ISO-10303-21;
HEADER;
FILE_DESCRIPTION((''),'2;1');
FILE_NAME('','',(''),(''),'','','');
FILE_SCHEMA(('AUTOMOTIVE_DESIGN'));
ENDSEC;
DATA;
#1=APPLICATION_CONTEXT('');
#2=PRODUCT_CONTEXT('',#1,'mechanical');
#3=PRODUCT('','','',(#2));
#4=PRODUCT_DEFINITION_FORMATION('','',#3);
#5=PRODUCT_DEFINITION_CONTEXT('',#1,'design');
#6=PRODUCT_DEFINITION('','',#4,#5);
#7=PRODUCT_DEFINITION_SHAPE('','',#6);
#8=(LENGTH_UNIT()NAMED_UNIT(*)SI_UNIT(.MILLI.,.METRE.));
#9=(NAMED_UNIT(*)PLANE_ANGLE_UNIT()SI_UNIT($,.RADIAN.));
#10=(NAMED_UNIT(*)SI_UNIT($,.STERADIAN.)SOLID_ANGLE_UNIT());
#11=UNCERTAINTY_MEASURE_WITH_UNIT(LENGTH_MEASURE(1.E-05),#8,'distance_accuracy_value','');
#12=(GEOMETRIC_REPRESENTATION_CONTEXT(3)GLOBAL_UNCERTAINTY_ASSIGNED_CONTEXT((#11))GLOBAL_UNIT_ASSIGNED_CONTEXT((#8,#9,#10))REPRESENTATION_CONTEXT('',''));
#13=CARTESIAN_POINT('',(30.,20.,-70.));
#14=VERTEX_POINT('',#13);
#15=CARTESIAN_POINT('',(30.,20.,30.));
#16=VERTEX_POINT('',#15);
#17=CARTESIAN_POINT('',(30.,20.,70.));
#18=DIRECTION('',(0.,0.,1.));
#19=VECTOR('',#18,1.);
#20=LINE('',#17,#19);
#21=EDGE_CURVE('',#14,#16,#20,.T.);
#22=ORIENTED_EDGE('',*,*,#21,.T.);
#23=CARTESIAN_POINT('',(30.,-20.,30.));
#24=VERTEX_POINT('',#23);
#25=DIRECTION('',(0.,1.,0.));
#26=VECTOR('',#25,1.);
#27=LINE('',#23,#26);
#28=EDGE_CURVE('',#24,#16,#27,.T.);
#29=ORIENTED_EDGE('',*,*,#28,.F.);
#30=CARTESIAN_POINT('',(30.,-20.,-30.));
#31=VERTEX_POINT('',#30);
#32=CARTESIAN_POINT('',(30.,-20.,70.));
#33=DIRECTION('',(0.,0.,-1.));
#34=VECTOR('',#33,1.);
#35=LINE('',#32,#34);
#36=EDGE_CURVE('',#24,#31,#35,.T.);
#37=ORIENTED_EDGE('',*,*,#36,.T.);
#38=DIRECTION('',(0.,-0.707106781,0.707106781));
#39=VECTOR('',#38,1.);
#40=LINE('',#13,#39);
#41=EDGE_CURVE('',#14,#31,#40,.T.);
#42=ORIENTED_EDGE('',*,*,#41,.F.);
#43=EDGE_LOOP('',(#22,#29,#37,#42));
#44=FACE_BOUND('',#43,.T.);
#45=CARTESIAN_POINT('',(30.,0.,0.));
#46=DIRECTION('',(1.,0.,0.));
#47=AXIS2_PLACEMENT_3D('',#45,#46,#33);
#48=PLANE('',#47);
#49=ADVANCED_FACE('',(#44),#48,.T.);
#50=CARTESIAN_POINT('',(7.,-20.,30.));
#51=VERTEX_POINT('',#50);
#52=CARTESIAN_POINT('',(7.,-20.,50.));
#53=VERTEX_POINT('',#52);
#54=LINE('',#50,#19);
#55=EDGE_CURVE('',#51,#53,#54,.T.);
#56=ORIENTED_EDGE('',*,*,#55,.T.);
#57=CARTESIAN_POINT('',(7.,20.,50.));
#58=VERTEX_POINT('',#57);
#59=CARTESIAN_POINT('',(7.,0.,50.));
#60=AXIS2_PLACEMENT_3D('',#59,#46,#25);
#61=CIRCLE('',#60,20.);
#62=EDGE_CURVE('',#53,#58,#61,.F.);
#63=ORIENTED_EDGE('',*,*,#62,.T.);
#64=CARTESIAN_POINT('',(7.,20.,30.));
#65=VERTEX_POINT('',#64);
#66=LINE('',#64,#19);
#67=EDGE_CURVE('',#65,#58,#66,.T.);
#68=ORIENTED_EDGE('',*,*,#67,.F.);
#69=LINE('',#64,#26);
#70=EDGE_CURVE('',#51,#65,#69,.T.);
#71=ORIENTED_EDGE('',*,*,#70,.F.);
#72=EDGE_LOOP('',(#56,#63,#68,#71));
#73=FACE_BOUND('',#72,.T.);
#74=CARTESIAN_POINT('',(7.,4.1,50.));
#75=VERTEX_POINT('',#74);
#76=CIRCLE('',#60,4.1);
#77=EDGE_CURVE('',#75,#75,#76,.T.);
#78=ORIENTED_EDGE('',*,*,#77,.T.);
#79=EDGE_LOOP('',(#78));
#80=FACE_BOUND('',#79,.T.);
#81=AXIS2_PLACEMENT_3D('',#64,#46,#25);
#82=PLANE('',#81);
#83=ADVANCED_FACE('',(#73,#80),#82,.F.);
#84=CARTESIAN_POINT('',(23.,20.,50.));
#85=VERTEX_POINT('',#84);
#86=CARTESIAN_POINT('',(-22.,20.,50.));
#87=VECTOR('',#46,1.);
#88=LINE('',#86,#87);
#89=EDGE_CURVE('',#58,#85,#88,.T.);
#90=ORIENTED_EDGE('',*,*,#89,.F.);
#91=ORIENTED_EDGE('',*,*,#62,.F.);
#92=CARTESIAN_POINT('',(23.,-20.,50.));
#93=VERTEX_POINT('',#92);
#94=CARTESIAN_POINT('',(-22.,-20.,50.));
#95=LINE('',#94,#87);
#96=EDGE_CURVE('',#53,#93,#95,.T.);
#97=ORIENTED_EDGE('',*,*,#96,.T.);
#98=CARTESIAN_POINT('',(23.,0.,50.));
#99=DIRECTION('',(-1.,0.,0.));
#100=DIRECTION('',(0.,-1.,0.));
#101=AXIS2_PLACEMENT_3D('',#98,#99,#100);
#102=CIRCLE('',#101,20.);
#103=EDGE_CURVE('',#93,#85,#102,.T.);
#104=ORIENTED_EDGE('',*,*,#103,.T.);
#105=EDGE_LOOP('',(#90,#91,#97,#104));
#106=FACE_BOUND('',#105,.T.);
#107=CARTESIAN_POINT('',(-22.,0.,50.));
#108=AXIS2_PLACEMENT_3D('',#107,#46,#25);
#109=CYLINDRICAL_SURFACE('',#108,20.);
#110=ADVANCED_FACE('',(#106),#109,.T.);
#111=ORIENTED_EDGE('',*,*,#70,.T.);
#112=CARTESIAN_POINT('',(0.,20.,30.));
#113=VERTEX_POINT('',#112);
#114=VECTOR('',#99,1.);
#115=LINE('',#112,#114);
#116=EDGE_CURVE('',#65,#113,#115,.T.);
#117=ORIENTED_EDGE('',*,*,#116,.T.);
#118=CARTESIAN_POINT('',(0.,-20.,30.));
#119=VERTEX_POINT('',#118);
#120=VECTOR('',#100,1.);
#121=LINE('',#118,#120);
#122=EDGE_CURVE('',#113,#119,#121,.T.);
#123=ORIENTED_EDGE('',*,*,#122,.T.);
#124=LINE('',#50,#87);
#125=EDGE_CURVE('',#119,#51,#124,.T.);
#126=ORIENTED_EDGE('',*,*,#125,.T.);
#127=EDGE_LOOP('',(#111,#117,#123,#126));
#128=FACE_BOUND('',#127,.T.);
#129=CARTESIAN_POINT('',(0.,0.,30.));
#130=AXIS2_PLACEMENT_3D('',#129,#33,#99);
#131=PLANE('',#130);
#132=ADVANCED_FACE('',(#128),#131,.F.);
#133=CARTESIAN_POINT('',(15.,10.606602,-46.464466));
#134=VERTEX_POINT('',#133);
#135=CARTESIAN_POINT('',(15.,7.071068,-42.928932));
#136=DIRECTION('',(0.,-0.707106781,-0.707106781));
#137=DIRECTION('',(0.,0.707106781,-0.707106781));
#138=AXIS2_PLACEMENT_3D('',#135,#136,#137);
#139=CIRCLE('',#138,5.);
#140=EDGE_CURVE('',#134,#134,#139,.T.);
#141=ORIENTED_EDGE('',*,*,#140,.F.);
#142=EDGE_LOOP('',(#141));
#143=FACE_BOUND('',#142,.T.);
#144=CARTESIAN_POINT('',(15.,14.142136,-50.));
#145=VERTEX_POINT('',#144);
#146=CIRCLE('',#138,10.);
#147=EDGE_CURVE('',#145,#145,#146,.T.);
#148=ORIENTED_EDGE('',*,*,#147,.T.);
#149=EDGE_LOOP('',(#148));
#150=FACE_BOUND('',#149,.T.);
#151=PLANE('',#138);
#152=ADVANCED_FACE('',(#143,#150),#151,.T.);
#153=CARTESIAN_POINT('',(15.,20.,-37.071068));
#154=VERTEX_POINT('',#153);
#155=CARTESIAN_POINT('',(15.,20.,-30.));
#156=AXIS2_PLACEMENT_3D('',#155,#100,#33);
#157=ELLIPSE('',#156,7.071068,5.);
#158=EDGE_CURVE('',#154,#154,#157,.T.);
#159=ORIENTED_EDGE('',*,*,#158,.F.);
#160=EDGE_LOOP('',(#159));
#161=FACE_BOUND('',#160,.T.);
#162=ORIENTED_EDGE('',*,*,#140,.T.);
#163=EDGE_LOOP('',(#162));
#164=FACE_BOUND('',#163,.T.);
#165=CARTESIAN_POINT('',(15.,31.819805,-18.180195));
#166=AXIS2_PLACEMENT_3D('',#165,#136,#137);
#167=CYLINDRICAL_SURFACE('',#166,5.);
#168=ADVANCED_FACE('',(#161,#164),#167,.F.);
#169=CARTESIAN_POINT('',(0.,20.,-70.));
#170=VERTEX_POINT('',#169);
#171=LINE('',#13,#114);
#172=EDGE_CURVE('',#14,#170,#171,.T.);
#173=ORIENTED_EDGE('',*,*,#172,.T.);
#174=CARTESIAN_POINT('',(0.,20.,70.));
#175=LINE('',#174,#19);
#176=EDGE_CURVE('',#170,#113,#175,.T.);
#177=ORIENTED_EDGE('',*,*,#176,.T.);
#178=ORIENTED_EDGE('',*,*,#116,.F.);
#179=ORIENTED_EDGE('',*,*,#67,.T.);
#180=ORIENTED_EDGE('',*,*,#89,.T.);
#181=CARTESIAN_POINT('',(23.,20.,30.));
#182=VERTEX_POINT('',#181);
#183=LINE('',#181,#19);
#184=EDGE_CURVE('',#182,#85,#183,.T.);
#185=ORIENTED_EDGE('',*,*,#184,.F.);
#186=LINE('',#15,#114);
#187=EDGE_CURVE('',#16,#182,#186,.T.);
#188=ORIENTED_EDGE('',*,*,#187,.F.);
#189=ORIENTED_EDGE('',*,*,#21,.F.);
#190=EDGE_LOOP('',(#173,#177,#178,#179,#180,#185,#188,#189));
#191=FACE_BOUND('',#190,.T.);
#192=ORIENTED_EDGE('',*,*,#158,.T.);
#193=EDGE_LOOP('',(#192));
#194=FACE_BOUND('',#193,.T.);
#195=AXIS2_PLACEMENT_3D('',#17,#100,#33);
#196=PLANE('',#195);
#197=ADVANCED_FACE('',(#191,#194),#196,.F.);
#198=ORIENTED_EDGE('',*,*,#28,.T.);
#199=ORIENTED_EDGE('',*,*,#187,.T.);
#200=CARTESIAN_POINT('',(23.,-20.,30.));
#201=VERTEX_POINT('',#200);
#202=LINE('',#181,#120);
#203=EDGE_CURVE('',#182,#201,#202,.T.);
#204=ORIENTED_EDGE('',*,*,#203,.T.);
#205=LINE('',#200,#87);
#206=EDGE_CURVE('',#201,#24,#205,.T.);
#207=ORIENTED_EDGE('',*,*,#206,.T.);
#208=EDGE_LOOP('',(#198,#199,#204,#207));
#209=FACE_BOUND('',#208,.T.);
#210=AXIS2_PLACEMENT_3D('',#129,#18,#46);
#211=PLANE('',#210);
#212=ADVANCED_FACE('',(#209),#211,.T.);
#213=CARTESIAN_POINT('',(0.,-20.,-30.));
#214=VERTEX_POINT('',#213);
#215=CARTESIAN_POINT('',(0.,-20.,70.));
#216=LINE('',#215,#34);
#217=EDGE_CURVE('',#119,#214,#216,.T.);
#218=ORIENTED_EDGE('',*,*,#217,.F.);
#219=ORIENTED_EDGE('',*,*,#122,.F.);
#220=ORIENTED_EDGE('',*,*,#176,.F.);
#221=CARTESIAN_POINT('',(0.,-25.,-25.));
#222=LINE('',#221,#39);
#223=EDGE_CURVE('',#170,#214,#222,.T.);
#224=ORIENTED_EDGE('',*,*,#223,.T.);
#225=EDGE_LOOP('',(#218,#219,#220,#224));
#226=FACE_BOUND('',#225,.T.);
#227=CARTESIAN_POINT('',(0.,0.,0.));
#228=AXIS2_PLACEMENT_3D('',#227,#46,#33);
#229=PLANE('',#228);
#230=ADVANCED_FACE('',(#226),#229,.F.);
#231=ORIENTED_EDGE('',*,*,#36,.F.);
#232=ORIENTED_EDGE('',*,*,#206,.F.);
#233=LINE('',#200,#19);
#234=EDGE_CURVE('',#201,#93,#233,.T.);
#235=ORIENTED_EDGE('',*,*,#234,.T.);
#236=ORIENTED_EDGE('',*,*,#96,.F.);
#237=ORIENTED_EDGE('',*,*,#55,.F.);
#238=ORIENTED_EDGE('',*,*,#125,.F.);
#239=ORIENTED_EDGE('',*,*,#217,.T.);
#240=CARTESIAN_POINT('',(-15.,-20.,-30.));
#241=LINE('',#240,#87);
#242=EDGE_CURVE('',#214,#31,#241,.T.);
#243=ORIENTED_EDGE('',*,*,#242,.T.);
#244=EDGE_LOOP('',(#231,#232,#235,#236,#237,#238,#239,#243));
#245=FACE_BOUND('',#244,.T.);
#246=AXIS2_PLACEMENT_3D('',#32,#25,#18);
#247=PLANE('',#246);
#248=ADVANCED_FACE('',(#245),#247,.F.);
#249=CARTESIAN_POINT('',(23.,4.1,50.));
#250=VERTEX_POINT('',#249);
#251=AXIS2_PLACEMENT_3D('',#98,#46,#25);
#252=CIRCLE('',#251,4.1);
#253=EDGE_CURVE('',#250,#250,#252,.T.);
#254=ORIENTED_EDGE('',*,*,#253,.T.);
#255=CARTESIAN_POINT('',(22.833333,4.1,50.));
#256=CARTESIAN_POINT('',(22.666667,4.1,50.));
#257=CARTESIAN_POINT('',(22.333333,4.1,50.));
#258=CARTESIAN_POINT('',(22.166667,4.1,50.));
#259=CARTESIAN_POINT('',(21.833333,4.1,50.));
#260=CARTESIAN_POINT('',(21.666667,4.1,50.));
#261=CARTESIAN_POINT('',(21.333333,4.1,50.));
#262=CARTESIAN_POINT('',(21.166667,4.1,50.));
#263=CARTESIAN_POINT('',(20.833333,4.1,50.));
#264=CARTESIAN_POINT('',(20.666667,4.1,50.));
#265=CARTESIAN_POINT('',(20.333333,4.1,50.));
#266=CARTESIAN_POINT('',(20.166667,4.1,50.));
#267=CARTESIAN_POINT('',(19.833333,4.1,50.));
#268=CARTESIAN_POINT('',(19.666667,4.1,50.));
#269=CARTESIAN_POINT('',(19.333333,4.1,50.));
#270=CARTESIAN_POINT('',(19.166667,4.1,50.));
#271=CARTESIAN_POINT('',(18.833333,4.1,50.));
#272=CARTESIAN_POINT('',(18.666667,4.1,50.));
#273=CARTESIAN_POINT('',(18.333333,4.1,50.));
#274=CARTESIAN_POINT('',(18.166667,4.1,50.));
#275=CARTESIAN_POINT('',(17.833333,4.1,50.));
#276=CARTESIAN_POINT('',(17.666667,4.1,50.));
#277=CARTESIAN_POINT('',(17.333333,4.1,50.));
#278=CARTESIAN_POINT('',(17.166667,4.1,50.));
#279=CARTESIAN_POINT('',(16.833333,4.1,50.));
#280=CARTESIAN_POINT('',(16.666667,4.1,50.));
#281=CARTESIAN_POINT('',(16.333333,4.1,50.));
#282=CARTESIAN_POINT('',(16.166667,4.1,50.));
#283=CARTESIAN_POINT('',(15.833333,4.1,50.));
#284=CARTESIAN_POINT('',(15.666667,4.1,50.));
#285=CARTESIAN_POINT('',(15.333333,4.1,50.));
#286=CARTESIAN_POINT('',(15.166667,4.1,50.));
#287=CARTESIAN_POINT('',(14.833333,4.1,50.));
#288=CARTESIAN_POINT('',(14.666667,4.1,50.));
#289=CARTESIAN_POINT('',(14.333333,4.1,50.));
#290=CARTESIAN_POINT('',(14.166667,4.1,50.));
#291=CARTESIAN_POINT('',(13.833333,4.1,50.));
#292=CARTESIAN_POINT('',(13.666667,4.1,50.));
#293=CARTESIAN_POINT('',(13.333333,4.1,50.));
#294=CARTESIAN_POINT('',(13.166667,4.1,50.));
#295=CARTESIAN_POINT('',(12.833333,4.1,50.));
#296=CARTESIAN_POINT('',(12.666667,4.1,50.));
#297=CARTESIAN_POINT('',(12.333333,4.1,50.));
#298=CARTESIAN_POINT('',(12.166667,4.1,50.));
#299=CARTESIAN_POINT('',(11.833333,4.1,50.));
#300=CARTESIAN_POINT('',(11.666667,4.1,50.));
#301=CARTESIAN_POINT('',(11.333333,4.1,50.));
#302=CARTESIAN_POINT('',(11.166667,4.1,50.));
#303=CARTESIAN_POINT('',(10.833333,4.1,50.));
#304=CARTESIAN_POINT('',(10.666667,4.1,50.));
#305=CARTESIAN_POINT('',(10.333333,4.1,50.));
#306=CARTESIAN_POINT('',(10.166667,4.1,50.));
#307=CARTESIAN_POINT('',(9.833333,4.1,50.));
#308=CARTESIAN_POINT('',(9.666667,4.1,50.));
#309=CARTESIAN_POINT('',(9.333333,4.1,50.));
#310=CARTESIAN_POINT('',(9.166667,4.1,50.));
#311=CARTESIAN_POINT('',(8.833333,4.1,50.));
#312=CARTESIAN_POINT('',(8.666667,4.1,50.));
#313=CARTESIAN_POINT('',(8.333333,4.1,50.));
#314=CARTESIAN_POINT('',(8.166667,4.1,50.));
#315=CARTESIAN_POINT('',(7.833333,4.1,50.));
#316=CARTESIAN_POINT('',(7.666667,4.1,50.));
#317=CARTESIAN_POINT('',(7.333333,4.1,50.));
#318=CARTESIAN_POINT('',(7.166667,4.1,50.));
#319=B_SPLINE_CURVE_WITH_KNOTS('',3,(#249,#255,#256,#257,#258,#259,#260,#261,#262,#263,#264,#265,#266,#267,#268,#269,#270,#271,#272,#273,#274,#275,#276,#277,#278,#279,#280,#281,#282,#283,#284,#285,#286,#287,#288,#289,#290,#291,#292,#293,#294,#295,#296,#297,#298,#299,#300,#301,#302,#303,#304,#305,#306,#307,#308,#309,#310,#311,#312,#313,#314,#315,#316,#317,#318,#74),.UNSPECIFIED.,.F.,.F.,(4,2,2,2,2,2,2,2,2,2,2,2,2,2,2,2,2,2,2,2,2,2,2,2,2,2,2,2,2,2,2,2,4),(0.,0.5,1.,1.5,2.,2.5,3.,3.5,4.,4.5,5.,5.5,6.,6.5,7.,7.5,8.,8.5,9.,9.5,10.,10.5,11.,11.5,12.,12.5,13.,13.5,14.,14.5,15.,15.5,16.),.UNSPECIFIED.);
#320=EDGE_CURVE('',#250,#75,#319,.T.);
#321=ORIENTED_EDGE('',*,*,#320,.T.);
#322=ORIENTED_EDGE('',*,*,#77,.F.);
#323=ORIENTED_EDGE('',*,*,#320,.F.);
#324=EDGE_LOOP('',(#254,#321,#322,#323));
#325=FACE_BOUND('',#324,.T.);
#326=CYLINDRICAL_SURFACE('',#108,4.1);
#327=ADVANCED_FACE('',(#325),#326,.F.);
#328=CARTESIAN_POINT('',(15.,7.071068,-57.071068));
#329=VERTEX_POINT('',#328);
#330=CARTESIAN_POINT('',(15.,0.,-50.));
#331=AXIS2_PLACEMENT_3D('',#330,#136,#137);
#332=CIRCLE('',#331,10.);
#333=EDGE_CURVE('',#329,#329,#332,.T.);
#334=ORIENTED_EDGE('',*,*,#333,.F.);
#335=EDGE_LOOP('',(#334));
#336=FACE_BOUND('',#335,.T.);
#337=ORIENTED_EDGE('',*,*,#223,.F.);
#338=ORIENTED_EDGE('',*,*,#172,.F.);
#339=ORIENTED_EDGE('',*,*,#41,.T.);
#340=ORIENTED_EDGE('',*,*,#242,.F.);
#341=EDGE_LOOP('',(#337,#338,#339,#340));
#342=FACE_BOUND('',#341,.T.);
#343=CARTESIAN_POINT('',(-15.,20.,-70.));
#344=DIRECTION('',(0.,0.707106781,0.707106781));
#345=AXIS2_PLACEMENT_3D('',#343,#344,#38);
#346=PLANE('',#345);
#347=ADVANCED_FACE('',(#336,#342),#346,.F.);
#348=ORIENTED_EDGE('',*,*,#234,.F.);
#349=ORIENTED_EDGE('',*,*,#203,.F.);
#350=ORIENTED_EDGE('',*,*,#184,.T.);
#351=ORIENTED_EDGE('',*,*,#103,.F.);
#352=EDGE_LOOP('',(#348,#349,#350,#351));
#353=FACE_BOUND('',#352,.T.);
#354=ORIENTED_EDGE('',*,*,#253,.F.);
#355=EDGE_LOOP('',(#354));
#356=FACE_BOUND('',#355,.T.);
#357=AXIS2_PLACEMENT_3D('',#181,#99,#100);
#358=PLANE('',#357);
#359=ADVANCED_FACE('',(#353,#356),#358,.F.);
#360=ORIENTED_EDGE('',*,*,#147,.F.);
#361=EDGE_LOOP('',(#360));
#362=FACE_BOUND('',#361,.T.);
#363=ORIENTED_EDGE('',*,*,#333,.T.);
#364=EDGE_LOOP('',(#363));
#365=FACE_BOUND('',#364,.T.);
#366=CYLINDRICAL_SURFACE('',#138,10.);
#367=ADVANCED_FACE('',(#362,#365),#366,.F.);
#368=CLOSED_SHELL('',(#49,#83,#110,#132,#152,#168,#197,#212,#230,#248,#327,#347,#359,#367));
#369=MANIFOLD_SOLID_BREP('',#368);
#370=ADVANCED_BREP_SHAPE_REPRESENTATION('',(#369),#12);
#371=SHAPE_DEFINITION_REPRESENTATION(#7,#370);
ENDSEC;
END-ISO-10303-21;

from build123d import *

# Parameters (mm, degrees)
SKETCH6_W           = 140
SKETCH6_H           = 40
BOSS_EXTRUDE2_DEPTH = 30
SKETCH9_W           = 7
SKETCH9_H           = 40
CUT_EXTRUDE3_DEPTH  = 40
CUT_EXTRUDE6_DEPTH  = 45
CUT_EXTRUDE7_DEPTH  = 45
SKETCH22_R          = 4.1
CUT_EXTRUDE8_DEPTH  = 45
CUT_EXTRUDE9_DEPTH  = 45
SKETCH26_R          = 10
CUT_EXTRUDE10_DEPTH = 10
SKETCH28_R          = 5
CUT_EXTRUDE11_DEPTH = 35


with BuildPart() as part:
    # Sketch6 → Boss-Extrude2 (new body)
    with BuildSketch(Plane(origin=(0, 0, 0), x_dir=(0, 0, -1), z_dir=(1, 0, 0))):
        Rectangle(SKETCH6_W, SKETCH6_H)
    extrude(amount=BOSS_EXTRUDE2_DEPTH)

    # Sketch9 → Cut-Extrude3 (cut)
    with BuildSketch(Plane.XY.offset(70)):
        with Locations((3.5, 0)):
            Rectangle(SKETCH9_W, SKETCH9_H)
        with Locations((26.5, 0)):
            Rectangle(SKETCH9_W, SKETCH9_H)
    extrude(amount=-CUT_EXTRUDE3_DEPTH, mode=Mode.SUBTRACT)

    # Sketch18 → Cut-Extrude6 (cut)
    with BuildSketch(Plane(origin=(23, 0, 0), x_dir=(0, 0, -1), z_dir=(1, 0, 0))):
        with BuildLine():
            Line((-70, 20), (-70, 0))
            ThreePointArc((-70, 0), (-64.142135624, 14.142135624), (-50, 20))
            Line((-50, 20), (-70, 20))
        make_face()
    extrude(amount=-CUT_EXTRUDE6_DEPTH, mode=Mode.SUBTRACT)

    # Sketch19 → Cut-Extrude7 (cut)
    with BuildSketch(Plane(origin=(23, 0, 0), x_dir=(0, 0, -1), z_dir=(1, 0, 0))):
        with BuildLine():
            Line((-70, 0), (-70, -20))
            Line((-70, -20), (-50, -20))
            ThreePointArc((-50, -20), (-64.142135624, -14.142135624), (-70, 0))
        make_face()
    extrude(amount=-CUT_EXTRUDE7_DEPTH, mode=Mode.SUBTRACT)

    # Sketch22 → Cut-Extrude8 (cut)
    with BuildSketch(Plane(origin=(23, 0, 0), x_dir=(0, 0, -1), z_dir=(1, 0, 0))):
        with Locations(Location((-50, 0, 0), (0, 0, 90))):
            Circle(SKETCH22_R)
    extrude(amount=-CUT_EXTRUDE8_DEPTH, mode=Mode.SUBTRACT)

    # Sketch24 → Cut-Extrude9 (cut)
    with BuildSketch(Plane(origin=(30, 0, 0), x_dir=(0, 0, -1), z_dir=(1, 0, 0))):
        Polygon((70, 20), (30, -20), (70, -20), align=None)
    extrude(amount=-CUT_EXTRUDE9_DEPTH, mode=Mode.SUBTRACT)

    # Sketch26 → Cut-Extrude10 (cut)
    with BuildSketch(Plane(origin=(0, -25, -25), x_dir=(1, 0, 0), z_dir=(0, -0.707106781186551, -0.7071067811865441))):
        with Locations(Location((15, -35.355339059, 0), (0, 0, 270))):
            Circle(SKETCH26_R)
    extrude(amount=-CUT_EXTRUDE10_DEPTH, mode=Mode.SUBTRACT)

    # Sketch28 → Cut-Extrude11 (cut)
    with BuildSketch(Plane(origin=(0, -17.928932188, -17.928932188), x_dir=(1, 0, 0), z_dir=(0, -0.7071067811865509, -0.7071067811865442))):
        with Locations(Location((15, -35.355339059, 0), (0, 0, 270))):
            Circle(SKETCH28_R)
    extrude(amount=-CUT_EXTRUDE11_DEPTH, mode=Mode.SUBTRACT)


solid = part.part
